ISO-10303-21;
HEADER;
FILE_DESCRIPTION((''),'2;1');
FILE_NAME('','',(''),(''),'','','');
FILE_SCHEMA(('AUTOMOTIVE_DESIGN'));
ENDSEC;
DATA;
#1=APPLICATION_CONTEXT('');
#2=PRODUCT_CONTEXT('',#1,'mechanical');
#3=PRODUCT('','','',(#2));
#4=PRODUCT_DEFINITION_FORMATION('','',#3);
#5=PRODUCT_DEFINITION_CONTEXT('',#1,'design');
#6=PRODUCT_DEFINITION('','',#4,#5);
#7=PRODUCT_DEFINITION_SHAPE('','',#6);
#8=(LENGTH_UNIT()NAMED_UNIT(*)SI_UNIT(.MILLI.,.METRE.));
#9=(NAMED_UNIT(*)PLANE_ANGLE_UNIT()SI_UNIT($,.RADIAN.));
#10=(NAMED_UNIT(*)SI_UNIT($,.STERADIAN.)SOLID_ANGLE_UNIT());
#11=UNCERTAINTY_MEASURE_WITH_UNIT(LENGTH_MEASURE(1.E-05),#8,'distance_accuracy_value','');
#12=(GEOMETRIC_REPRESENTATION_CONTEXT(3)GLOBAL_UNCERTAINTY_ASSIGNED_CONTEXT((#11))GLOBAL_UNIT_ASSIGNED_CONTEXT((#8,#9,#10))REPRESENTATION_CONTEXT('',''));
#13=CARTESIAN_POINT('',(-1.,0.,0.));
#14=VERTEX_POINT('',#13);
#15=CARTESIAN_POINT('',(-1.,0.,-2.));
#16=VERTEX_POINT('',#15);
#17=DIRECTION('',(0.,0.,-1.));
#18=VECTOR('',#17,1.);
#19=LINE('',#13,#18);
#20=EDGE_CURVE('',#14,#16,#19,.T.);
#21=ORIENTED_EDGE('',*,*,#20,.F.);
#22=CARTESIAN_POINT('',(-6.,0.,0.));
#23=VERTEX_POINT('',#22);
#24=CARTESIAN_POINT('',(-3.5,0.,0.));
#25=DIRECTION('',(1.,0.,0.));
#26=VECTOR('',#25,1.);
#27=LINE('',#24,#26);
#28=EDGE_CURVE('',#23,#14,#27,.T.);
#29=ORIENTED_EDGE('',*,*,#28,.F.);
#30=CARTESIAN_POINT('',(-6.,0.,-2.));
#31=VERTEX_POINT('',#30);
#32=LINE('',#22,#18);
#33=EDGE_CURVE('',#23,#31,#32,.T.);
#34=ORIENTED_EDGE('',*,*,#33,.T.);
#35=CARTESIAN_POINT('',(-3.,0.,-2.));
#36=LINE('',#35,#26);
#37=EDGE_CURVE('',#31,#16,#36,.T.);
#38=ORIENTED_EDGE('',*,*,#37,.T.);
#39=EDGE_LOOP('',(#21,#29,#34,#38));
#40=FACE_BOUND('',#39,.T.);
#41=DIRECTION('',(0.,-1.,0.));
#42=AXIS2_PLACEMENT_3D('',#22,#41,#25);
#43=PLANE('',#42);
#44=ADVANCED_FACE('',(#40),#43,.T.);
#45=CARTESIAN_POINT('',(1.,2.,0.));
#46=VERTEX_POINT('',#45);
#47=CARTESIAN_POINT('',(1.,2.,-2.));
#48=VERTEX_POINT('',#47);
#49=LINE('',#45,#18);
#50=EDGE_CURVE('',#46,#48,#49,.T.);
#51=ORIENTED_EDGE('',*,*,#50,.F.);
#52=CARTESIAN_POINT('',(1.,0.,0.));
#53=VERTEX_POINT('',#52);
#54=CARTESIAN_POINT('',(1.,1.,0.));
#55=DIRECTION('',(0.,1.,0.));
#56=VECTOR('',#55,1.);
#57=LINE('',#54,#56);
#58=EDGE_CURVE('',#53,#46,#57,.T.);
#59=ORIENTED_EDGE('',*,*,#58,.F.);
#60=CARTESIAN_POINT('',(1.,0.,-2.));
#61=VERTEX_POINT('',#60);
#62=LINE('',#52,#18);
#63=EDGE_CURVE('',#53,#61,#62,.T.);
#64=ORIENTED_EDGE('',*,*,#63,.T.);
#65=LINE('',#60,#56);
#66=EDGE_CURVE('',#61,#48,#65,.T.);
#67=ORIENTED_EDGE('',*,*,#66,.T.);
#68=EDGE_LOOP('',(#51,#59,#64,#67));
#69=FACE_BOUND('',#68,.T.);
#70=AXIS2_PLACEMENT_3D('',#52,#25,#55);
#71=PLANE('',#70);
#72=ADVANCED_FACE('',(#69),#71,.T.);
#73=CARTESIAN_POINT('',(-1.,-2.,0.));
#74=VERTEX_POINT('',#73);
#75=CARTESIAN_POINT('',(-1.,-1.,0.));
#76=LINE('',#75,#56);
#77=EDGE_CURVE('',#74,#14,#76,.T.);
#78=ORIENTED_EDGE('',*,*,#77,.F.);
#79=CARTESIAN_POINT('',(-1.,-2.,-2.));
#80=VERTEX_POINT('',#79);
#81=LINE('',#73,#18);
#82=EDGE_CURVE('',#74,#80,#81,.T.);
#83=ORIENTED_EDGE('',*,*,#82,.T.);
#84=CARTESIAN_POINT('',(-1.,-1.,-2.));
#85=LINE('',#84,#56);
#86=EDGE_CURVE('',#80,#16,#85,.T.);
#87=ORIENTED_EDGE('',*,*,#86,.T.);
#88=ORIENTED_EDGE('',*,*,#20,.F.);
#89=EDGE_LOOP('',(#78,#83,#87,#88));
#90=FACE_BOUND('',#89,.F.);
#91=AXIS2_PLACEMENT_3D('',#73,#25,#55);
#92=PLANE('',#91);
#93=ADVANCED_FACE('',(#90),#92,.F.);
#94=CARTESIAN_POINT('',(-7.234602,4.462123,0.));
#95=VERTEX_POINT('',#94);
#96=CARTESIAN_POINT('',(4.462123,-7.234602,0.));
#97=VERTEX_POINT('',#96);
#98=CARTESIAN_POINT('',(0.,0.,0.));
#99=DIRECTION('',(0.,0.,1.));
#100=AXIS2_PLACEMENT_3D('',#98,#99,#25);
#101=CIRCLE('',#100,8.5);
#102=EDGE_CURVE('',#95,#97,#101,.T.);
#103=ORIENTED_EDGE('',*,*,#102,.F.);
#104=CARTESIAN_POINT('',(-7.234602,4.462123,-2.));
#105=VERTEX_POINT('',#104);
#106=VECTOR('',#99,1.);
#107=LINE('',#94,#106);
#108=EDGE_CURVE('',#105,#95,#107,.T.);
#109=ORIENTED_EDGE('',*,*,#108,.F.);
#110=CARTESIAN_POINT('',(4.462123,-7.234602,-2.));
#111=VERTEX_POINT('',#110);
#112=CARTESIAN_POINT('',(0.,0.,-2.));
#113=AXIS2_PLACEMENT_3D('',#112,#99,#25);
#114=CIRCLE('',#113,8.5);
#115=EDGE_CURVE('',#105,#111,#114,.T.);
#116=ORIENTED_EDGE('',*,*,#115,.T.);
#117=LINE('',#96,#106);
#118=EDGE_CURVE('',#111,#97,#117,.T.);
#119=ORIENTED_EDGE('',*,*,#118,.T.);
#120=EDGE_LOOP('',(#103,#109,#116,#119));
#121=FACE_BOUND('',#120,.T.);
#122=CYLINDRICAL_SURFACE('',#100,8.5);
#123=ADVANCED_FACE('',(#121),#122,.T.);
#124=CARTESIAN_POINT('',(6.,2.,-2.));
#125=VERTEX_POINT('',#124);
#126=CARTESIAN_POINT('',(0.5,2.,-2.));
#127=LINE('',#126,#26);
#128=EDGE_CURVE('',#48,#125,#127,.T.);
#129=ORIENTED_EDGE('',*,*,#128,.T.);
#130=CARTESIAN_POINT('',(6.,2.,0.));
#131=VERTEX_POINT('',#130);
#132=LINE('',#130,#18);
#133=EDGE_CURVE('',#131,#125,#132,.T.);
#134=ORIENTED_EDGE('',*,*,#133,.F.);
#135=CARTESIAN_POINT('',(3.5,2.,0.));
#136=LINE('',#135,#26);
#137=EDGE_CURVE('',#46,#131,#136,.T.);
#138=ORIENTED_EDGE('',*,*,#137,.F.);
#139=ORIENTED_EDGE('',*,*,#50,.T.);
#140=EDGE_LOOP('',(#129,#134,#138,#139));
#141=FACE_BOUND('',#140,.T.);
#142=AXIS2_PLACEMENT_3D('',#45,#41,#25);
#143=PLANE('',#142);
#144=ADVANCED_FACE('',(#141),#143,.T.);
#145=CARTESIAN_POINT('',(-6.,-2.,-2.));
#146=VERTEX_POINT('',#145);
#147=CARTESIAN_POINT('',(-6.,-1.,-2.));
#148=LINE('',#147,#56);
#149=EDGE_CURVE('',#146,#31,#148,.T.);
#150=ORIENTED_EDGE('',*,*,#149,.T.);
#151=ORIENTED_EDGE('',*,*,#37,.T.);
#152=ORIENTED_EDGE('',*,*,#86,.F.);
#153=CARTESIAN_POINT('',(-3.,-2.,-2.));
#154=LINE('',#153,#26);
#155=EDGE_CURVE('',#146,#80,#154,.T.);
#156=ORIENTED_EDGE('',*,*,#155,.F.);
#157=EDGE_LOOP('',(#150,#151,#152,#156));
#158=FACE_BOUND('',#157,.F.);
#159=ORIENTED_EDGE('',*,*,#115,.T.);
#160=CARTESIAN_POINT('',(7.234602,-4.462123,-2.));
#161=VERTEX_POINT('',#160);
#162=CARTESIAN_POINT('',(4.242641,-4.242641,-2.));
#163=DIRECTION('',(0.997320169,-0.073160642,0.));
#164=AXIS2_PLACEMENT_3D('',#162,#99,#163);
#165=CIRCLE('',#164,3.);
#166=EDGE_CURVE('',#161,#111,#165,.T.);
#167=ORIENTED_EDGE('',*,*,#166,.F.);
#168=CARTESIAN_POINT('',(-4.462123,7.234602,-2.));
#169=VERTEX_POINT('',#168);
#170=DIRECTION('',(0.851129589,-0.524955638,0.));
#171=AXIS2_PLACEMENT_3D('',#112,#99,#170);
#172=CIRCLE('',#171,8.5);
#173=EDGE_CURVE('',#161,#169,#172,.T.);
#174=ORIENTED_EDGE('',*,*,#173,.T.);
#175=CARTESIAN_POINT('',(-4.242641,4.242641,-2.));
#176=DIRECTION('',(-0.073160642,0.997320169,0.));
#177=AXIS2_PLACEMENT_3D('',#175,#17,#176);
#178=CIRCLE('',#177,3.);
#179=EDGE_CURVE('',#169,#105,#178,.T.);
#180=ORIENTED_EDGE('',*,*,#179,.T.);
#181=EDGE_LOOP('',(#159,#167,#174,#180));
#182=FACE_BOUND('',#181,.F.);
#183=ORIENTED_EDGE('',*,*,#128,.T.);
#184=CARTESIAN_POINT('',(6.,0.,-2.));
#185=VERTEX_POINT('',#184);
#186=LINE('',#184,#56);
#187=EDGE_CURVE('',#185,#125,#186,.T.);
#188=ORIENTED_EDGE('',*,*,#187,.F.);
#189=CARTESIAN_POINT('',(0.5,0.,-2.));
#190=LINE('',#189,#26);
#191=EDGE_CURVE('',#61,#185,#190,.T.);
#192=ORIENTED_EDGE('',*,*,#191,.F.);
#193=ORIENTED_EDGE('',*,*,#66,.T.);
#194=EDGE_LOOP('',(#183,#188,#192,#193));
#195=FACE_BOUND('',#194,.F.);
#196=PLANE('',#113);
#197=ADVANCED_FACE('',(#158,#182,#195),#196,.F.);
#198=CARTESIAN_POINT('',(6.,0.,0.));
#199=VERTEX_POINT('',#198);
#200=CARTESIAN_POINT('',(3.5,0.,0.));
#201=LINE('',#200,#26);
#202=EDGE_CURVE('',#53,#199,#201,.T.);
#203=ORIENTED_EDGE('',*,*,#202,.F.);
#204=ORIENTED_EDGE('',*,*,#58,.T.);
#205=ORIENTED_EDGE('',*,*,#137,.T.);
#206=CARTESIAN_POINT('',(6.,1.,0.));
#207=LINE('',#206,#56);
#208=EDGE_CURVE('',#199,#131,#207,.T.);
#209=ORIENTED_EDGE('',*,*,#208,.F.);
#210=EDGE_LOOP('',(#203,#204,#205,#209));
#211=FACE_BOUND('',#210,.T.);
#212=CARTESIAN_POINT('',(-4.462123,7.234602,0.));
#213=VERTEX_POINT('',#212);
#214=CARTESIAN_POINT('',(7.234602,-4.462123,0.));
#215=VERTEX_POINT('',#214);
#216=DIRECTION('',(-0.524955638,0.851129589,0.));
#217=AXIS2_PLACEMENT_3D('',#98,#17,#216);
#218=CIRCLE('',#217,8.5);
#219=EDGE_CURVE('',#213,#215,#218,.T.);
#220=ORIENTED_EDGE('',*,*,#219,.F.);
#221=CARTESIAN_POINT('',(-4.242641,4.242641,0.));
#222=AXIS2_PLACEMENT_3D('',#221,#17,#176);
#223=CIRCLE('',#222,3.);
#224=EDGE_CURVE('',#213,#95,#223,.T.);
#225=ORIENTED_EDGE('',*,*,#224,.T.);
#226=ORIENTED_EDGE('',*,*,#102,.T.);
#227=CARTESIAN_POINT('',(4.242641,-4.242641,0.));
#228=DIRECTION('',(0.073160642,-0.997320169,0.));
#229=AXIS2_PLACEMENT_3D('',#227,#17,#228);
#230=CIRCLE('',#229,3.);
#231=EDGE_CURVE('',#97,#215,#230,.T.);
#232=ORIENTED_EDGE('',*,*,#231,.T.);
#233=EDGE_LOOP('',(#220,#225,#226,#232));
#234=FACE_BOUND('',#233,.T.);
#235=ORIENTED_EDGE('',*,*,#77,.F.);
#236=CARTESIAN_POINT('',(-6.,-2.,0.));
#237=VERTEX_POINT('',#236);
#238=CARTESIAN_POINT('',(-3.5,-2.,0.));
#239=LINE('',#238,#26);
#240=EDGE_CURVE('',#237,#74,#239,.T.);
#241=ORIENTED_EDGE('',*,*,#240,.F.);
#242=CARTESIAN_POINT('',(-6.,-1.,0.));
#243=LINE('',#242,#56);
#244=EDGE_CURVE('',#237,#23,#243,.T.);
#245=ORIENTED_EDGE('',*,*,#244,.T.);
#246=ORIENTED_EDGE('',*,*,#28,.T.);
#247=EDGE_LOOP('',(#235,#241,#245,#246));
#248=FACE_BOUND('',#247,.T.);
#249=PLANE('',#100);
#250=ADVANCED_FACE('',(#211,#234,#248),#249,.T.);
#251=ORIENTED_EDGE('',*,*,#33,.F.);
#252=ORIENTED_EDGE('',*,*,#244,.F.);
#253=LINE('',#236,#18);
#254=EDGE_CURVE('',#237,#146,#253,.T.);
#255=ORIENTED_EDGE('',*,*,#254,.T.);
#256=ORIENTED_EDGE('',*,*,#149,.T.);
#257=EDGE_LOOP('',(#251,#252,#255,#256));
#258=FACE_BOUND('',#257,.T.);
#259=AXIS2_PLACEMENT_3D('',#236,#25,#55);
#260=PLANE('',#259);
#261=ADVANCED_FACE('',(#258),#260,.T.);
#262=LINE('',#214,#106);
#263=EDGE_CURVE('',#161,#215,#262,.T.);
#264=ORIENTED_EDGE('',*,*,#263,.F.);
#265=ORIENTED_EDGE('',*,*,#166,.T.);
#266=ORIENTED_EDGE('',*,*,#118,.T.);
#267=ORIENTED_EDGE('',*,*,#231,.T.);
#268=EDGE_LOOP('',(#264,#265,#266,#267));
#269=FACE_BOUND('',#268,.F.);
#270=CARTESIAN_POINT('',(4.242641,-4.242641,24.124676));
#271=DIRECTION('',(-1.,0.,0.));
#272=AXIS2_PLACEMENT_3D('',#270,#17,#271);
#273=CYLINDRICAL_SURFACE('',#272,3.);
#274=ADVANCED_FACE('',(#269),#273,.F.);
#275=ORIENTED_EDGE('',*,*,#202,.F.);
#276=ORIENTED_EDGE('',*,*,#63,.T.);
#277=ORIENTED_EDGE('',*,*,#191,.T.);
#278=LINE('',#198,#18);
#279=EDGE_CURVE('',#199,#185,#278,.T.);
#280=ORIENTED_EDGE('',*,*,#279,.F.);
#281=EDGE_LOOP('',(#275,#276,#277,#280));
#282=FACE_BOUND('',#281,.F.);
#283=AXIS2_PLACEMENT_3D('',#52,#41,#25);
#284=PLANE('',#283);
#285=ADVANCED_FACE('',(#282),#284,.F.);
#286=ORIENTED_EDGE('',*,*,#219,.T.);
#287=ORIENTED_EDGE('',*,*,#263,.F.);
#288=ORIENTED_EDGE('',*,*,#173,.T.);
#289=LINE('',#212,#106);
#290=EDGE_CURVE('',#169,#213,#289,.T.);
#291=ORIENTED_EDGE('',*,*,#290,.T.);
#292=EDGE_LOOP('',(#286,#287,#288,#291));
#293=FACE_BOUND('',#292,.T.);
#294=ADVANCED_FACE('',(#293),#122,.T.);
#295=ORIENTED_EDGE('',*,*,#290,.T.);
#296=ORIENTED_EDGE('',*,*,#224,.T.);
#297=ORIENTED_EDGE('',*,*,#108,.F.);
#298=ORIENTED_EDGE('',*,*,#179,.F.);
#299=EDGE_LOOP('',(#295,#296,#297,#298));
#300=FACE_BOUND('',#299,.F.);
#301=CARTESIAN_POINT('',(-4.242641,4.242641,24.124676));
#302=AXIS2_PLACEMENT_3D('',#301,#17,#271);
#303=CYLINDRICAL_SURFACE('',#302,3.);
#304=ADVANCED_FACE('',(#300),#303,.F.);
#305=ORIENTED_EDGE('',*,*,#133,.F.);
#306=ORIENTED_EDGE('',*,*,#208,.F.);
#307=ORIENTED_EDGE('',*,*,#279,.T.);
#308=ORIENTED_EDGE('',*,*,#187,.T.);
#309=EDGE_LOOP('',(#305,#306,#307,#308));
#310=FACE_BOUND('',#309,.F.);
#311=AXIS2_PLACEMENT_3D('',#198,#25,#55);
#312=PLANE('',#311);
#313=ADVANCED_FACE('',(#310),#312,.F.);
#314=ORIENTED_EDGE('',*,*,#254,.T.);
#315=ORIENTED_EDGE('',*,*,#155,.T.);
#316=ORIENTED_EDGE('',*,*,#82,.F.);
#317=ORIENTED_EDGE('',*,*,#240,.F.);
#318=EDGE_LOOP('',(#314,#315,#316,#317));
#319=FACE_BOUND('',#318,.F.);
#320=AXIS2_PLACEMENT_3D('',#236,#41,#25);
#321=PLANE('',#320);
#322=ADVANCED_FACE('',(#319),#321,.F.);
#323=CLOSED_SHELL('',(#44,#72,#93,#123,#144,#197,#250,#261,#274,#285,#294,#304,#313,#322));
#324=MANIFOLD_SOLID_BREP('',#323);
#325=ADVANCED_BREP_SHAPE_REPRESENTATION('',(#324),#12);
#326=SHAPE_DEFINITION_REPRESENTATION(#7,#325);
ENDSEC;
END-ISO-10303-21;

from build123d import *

# Parameters (mm, degrees)
F0_R     = 8.5
F1_DEPTH = 2
F3_D     = 6
F4_W     = 5
F4_H     = 2
F5_DEPTH = 2.001


with BuildPart() as f1:
    # F0 (on Top) → F1 (new body)
    with BuildSketch(Plane.XY):
        Circle(F0_R)
    extrude(amount=-F1_DEPTH)

    # F3 (through all)
    with Locations(Plane.XY):
        with Locations((4.242641, -4.242641), (-4.242641, 4.242641)):
            Hole(F3_D / 2)

    # F4 (on face) → F5 (cut, through all)
    with BuildSketch(Plane.XY):
        with Locations((-3.5, -1)):
            Rectangle(F4_W, F4_H)
        with Locations((3.5, 1)):
            Rectangle(F4_W, F4_H)
    extrude(amount=-F5_DEPTH, mode=Mode.SUBTRACT)


solid = f1.part
